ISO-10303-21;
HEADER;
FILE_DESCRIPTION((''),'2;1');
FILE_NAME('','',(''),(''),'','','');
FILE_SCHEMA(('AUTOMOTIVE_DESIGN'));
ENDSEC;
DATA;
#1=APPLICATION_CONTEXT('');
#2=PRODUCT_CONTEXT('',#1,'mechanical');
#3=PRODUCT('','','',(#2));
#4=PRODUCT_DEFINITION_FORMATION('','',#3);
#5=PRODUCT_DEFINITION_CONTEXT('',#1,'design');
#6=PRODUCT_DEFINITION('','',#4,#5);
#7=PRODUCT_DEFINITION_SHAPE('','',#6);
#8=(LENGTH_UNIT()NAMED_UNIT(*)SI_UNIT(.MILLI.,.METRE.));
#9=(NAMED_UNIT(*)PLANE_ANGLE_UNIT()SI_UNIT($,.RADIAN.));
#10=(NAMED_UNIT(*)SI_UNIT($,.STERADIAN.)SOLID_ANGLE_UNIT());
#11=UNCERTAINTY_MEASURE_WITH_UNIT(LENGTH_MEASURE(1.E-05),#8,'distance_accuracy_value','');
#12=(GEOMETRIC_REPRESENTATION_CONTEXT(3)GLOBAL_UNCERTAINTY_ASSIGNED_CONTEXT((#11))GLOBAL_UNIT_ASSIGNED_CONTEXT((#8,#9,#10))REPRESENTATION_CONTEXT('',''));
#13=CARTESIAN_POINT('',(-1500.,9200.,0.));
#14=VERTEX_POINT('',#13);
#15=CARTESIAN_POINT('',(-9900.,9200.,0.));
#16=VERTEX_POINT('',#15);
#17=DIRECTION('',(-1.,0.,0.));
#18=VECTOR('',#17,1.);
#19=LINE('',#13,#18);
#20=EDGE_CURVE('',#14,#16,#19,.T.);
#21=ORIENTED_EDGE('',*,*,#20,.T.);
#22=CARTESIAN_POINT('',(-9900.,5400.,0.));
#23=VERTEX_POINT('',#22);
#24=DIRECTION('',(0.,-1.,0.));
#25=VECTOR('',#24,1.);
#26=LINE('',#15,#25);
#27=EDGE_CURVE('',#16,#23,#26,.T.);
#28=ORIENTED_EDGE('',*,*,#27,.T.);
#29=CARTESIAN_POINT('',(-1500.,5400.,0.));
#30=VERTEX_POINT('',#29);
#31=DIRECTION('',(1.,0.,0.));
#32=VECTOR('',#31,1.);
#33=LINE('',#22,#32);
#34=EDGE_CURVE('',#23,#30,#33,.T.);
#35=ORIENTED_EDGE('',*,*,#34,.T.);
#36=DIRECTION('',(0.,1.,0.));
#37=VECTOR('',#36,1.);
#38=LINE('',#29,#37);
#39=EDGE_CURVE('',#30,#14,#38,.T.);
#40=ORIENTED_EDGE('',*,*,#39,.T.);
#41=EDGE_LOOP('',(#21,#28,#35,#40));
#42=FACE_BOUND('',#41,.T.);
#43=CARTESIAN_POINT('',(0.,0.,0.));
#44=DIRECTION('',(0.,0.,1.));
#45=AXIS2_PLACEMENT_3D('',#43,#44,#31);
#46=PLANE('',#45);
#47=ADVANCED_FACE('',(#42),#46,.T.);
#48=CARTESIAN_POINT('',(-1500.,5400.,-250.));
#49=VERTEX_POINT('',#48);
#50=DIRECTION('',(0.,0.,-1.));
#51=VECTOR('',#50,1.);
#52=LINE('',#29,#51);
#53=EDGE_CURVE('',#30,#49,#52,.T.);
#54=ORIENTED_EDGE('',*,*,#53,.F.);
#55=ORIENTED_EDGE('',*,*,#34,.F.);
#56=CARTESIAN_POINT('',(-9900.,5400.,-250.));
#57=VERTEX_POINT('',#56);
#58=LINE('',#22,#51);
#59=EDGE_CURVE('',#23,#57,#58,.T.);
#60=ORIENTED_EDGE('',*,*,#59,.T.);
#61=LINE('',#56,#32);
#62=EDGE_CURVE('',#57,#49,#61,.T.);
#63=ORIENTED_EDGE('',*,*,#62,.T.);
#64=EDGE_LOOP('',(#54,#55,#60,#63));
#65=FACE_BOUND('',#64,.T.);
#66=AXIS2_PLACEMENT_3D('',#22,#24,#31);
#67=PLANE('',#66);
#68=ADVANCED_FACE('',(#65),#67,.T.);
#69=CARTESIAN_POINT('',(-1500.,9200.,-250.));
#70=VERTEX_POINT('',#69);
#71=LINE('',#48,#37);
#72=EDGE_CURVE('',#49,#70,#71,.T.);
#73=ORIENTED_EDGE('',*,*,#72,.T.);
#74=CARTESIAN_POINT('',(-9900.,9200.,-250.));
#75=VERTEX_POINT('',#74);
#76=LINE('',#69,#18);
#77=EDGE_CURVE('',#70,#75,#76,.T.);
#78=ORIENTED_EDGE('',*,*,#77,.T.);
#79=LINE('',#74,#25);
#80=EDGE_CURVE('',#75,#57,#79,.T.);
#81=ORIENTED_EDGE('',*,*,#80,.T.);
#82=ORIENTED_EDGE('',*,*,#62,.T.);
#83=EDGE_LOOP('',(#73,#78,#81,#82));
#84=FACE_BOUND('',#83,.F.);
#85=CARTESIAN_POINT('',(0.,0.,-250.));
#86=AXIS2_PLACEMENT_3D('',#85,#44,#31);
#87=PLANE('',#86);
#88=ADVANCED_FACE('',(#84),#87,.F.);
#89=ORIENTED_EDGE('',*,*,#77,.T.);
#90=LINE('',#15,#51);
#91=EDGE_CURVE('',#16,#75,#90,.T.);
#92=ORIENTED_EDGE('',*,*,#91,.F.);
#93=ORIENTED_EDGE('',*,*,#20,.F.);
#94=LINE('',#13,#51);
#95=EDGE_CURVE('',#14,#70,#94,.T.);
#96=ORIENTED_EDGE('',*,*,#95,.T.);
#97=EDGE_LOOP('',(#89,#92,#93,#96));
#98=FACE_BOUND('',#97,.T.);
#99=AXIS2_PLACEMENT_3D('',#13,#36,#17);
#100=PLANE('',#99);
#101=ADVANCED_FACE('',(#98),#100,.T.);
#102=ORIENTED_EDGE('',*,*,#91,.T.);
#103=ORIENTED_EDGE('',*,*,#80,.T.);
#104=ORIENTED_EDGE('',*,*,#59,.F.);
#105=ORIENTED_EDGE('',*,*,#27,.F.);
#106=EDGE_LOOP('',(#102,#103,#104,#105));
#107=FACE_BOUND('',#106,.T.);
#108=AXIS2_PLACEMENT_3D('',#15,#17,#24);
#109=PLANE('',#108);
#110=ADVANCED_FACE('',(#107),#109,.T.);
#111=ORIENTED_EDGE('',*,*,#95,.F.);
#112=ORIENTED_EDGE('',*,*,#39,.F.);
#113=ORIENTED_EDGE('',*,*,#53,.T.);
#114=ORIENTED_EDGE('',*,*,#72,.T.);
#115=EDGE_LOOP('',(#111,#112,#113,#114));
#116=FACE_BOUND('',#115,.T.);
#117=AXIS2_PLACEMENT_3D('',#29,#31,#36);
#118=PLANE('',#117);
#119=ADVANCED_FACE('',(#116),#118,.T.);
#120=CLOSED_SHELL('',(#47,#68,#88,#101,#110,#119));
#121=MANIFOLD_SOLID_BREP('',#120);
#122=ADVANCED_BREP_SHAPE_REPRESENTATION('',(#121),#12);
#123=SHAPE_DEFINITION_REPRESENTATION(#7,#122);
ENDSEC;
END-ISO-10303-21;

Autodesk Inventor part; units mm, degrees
ref_plane "YZ Plane" through (0, 0, 0) normal (1, 0, 0) x (0, 1, 0)
ref_plane "XZ Plane" through (0, 0, 0) normal (0, 1, 0) x (-1, 0, 0)
ref_plane "XY Plane" through (0, 0, 0) normal (0, 0, 1) x (1, 0, 0)
sketch "Эскиз1" plane through (0, 0, 0) normal (0, 0, 1) x (1, 0, 0)
  line L0 (-1500, 2600) -> (-1500, -1200) construction
  line L1 (-1500, -1200) -> (-9900, -1200) construction
  line L2 (-9900, -1200) -> (-9900, 2600) construction
  line L3 (-9900, 2600) -> (-1500, 2600) construction
  line L4 (-1500, 3000) -> (-9900, 3000) construction
  line L5 (-9900, 3000) -> (-9900, 5000) construction
  line L6 (-9900, 5000) -> (-7000, 5000) construction
  line L7 (-7000, 5000) -> (-7000, 5400) construction
  line L8 (-7000, 5400) -> (-9900, 5400) construction
  line L9 (-9900, 5400) -> (-9900, 9200) construction
  line L10 (-9900, 9200) -> (-1500, 9200) construction
  line L11 (-1500, 9200) -> (-1500, 3000) construction
  line L12 (-10300, -200) -> (-10300, -1600) construction
  line L13 (-10300, -1600) -> (-1100, -1600) construction
  line L14 (-1100, -1600) -> (-1100, -200) construction
  line L15 (-1100, -200) -> (1100, -200) construction
  line L16 (1100, -200) -> (1100, -600) construction
  line L17 (1100, -600) -> (7500, -600) construction
  line L18 (7500, -600) -> (7500, 8600) construction
  line L19 (7500, 8600) -> (1100, 8600) construction
  line L20 (1100, 8600) -> (1100, 8200) construction
  line L21 (1100, 8200) -> (-1100, 8200) construction
  line L22 (-1100, 8200) -> (-1100, 9600) construction
  line L23 (-1100, 9600) -> (-10300, 9600) construction
  line L24 (-10300, 9600) -> (-10300, 8600) construction
  line L25 (-10300, 8600) -> (-18900, 8600) construction
  line L26 (-18900, 8600) -> (-18900, -600) construction
  line L27 (-18900, -600) -> (-12500, -600) construction
  line L28 (-12500, -600) -> (-12500, -200) construction
  line L29 (-12500, -200) -> (-10300, -200) construction
  line L30 (-1100, 7800) -> (1100, 7800) construction
  line L31 (1100, 7800) -> (1100, 200) construction
  line L32 (1100, 200) -> (-1100, 200) construction
  line L33 (-1100, 200) -> (-1100, 7800) construction
  line L34 (-18500, -200) -> (-18500, 8200) construction
  line L35 (-18500, 8200) -> (-12900, 8200) construction
  line L36 (-12900, 8200) -> (-12900, -200) construction
  line L37 (-12900, -200) -> (-18500, -200) construction
  line L38 (1500, -200) -> (1500, 8200) construction
  line L39 (1500, 8200) -> (7100, 8200) construction
  line L40 (7100, 8200) -> (7100, -200) construction
  line L41 (7100, -200) -> (1500, -200) construction
  line L42 (-10300, 200) -> (-12500, 200) construction
  line L43 (-12500, 200) -> (-12500, 8200) construction
  line L44 (-12500, 8200) -> (-10300, 8200) construction
  line L45 (-10300, 8200) -> (-10300, 200) construction
  line L46 (-1500, 9200) -> (-9900, 9200)
  line L47 (-9900, 9200) -> (-9900, 5400)
  line L48 (-9900, 5400) -> (-1500, 5400)
  line L49 (-1500, 5400) -> (-1500, 9200)
  point P0 (0, 0)
extrude "Выдавливание1" add sketch "Эскиз1" against normal blind 250
properties part number "Перекрытие гостиной" material "Бетон, высокопрочный"
